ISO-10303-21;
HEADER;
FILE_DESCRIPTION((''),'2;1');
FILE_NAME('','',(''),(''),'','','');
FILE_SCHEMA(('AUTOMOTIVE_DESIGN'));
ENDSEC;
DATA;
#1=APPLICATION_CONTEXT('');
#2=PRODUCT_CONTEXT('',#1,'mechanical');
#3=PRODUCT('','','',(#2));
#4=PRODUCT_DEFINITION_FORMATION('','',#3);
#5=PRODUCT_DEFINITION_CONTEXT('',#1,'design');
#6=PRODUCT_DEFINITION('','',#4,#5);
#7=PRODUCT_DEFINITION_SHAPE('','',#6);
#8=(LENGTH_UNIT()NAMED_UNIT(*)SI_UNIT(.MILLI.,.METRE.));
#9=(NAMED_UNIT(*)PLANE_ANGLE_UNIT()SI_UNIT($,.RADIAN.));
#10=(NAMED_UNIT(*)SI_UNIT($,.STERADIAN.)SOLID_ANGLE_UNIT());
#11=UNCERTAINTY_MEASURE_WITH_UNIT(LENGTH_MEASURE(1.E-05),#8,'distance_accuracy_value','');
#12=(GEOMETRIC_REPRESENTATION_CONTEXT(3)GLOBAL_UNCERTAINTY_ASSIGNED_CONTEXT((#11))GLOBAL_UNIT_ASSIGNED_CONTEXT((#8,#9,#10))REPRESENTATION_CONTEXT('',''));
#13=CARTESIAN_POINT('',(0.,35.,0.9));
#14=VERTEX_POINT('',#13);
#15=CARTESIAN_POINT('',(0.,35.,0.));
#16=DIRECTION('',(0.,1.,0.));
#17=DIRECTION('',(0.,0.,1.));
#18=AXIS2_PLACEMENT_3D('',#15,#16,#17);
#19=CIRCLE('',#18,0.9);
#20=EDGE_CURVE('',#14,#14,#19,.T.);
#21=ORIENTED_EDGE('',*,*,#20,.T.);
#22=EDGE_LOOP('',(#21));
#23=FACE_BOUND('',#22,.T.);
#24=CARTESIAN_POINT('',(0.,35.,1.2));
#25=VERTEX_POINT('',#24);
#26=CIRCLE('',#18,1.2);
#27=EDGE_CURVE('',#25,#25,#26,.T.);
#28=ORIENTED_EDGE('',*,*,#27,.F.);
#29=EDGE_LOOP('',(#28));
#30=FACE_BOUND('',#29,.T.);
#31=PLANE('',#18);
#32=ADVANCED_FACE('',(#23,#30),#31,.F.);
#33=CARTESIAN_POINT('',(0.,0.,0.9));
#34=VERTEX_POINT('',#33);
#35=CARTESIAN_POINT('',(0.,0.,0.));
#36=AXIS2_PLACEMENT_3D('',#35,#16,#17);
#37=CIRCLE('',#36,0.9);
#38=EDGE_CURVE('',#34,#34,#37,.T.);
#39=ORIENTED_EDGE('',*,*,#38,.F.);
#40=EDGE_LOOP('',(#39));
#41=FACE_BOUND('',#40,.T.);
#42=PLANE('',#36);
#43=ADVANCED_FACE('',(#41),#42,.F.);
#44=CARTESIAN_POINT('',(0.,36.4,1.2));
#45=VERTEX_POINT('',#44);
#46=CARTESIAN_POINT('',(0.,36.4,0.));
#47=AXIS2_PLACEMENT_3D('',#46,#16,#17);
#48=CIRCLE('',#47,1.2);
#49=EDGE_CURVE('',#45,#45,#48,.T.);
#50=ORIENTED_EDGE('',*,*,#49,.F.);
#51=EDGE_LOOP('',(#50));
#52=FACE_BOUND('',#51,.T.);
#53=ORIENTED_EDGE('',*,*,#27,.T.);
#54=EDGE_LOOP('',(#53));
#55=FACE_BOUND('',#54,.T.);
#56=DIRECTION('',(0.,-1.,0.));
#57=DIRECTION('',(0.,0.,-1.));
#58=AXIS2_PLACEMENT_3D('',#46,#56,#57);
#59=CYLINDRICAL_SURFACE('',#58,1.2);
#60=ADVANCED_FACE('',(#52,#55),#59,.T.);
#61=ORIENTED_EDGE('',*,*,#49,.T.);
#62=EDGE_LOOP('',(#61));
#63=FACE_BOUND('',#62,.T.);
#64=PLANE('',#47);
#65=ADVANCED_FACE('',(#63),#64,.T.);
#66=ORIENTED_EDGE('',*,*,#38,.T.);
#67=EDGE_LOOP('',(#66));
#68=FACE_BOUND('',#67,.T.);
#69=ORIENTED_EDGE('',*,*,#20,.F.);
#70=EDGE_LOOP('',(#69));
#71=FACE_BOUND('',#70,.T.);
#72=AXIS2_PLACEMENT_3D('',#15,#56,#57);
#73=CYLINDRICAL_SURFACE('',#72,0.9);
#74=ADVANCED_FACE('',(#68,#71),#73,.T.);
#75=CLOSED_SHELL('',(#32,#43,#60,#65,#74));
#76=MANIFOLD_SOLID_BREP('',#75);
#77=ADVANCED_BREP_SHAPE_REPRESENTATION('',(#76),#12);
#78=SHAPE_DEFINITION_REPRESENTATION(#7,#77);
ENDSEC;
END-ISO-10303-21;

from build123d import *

# Parameters (mm, degrees)
SKETCH1_R             = 0.9
NAIL_SHAFT_BODY_DEPTH = 35
SKETCH2_R             = 1.2
NAIL_HEAD_DEPTH       = 1.4


with BuildPart() as part:
    # Sketch1 → nail_shaft_body (new body)
    with BuildSketch(Plane(origin=(0, 0, 0), x_dir=(1, 0, 0), z_dir=(0, 1, 0))):
        Circle(SKETCH1_R)
    extrude(amount=NAIL_SHAFT_BODY_DEPTH)

    # Sketch2 → nail_head (add)
    with BuildSketch(Plane(origin=(0, 35, 0), x_dir=(1, 0, 0), z_dir=(0, 1, 0))):
        Circle(SKETCH2_R)
    extrude(amount=NAIL_HEAD_DEPTH)


solid = part.part
